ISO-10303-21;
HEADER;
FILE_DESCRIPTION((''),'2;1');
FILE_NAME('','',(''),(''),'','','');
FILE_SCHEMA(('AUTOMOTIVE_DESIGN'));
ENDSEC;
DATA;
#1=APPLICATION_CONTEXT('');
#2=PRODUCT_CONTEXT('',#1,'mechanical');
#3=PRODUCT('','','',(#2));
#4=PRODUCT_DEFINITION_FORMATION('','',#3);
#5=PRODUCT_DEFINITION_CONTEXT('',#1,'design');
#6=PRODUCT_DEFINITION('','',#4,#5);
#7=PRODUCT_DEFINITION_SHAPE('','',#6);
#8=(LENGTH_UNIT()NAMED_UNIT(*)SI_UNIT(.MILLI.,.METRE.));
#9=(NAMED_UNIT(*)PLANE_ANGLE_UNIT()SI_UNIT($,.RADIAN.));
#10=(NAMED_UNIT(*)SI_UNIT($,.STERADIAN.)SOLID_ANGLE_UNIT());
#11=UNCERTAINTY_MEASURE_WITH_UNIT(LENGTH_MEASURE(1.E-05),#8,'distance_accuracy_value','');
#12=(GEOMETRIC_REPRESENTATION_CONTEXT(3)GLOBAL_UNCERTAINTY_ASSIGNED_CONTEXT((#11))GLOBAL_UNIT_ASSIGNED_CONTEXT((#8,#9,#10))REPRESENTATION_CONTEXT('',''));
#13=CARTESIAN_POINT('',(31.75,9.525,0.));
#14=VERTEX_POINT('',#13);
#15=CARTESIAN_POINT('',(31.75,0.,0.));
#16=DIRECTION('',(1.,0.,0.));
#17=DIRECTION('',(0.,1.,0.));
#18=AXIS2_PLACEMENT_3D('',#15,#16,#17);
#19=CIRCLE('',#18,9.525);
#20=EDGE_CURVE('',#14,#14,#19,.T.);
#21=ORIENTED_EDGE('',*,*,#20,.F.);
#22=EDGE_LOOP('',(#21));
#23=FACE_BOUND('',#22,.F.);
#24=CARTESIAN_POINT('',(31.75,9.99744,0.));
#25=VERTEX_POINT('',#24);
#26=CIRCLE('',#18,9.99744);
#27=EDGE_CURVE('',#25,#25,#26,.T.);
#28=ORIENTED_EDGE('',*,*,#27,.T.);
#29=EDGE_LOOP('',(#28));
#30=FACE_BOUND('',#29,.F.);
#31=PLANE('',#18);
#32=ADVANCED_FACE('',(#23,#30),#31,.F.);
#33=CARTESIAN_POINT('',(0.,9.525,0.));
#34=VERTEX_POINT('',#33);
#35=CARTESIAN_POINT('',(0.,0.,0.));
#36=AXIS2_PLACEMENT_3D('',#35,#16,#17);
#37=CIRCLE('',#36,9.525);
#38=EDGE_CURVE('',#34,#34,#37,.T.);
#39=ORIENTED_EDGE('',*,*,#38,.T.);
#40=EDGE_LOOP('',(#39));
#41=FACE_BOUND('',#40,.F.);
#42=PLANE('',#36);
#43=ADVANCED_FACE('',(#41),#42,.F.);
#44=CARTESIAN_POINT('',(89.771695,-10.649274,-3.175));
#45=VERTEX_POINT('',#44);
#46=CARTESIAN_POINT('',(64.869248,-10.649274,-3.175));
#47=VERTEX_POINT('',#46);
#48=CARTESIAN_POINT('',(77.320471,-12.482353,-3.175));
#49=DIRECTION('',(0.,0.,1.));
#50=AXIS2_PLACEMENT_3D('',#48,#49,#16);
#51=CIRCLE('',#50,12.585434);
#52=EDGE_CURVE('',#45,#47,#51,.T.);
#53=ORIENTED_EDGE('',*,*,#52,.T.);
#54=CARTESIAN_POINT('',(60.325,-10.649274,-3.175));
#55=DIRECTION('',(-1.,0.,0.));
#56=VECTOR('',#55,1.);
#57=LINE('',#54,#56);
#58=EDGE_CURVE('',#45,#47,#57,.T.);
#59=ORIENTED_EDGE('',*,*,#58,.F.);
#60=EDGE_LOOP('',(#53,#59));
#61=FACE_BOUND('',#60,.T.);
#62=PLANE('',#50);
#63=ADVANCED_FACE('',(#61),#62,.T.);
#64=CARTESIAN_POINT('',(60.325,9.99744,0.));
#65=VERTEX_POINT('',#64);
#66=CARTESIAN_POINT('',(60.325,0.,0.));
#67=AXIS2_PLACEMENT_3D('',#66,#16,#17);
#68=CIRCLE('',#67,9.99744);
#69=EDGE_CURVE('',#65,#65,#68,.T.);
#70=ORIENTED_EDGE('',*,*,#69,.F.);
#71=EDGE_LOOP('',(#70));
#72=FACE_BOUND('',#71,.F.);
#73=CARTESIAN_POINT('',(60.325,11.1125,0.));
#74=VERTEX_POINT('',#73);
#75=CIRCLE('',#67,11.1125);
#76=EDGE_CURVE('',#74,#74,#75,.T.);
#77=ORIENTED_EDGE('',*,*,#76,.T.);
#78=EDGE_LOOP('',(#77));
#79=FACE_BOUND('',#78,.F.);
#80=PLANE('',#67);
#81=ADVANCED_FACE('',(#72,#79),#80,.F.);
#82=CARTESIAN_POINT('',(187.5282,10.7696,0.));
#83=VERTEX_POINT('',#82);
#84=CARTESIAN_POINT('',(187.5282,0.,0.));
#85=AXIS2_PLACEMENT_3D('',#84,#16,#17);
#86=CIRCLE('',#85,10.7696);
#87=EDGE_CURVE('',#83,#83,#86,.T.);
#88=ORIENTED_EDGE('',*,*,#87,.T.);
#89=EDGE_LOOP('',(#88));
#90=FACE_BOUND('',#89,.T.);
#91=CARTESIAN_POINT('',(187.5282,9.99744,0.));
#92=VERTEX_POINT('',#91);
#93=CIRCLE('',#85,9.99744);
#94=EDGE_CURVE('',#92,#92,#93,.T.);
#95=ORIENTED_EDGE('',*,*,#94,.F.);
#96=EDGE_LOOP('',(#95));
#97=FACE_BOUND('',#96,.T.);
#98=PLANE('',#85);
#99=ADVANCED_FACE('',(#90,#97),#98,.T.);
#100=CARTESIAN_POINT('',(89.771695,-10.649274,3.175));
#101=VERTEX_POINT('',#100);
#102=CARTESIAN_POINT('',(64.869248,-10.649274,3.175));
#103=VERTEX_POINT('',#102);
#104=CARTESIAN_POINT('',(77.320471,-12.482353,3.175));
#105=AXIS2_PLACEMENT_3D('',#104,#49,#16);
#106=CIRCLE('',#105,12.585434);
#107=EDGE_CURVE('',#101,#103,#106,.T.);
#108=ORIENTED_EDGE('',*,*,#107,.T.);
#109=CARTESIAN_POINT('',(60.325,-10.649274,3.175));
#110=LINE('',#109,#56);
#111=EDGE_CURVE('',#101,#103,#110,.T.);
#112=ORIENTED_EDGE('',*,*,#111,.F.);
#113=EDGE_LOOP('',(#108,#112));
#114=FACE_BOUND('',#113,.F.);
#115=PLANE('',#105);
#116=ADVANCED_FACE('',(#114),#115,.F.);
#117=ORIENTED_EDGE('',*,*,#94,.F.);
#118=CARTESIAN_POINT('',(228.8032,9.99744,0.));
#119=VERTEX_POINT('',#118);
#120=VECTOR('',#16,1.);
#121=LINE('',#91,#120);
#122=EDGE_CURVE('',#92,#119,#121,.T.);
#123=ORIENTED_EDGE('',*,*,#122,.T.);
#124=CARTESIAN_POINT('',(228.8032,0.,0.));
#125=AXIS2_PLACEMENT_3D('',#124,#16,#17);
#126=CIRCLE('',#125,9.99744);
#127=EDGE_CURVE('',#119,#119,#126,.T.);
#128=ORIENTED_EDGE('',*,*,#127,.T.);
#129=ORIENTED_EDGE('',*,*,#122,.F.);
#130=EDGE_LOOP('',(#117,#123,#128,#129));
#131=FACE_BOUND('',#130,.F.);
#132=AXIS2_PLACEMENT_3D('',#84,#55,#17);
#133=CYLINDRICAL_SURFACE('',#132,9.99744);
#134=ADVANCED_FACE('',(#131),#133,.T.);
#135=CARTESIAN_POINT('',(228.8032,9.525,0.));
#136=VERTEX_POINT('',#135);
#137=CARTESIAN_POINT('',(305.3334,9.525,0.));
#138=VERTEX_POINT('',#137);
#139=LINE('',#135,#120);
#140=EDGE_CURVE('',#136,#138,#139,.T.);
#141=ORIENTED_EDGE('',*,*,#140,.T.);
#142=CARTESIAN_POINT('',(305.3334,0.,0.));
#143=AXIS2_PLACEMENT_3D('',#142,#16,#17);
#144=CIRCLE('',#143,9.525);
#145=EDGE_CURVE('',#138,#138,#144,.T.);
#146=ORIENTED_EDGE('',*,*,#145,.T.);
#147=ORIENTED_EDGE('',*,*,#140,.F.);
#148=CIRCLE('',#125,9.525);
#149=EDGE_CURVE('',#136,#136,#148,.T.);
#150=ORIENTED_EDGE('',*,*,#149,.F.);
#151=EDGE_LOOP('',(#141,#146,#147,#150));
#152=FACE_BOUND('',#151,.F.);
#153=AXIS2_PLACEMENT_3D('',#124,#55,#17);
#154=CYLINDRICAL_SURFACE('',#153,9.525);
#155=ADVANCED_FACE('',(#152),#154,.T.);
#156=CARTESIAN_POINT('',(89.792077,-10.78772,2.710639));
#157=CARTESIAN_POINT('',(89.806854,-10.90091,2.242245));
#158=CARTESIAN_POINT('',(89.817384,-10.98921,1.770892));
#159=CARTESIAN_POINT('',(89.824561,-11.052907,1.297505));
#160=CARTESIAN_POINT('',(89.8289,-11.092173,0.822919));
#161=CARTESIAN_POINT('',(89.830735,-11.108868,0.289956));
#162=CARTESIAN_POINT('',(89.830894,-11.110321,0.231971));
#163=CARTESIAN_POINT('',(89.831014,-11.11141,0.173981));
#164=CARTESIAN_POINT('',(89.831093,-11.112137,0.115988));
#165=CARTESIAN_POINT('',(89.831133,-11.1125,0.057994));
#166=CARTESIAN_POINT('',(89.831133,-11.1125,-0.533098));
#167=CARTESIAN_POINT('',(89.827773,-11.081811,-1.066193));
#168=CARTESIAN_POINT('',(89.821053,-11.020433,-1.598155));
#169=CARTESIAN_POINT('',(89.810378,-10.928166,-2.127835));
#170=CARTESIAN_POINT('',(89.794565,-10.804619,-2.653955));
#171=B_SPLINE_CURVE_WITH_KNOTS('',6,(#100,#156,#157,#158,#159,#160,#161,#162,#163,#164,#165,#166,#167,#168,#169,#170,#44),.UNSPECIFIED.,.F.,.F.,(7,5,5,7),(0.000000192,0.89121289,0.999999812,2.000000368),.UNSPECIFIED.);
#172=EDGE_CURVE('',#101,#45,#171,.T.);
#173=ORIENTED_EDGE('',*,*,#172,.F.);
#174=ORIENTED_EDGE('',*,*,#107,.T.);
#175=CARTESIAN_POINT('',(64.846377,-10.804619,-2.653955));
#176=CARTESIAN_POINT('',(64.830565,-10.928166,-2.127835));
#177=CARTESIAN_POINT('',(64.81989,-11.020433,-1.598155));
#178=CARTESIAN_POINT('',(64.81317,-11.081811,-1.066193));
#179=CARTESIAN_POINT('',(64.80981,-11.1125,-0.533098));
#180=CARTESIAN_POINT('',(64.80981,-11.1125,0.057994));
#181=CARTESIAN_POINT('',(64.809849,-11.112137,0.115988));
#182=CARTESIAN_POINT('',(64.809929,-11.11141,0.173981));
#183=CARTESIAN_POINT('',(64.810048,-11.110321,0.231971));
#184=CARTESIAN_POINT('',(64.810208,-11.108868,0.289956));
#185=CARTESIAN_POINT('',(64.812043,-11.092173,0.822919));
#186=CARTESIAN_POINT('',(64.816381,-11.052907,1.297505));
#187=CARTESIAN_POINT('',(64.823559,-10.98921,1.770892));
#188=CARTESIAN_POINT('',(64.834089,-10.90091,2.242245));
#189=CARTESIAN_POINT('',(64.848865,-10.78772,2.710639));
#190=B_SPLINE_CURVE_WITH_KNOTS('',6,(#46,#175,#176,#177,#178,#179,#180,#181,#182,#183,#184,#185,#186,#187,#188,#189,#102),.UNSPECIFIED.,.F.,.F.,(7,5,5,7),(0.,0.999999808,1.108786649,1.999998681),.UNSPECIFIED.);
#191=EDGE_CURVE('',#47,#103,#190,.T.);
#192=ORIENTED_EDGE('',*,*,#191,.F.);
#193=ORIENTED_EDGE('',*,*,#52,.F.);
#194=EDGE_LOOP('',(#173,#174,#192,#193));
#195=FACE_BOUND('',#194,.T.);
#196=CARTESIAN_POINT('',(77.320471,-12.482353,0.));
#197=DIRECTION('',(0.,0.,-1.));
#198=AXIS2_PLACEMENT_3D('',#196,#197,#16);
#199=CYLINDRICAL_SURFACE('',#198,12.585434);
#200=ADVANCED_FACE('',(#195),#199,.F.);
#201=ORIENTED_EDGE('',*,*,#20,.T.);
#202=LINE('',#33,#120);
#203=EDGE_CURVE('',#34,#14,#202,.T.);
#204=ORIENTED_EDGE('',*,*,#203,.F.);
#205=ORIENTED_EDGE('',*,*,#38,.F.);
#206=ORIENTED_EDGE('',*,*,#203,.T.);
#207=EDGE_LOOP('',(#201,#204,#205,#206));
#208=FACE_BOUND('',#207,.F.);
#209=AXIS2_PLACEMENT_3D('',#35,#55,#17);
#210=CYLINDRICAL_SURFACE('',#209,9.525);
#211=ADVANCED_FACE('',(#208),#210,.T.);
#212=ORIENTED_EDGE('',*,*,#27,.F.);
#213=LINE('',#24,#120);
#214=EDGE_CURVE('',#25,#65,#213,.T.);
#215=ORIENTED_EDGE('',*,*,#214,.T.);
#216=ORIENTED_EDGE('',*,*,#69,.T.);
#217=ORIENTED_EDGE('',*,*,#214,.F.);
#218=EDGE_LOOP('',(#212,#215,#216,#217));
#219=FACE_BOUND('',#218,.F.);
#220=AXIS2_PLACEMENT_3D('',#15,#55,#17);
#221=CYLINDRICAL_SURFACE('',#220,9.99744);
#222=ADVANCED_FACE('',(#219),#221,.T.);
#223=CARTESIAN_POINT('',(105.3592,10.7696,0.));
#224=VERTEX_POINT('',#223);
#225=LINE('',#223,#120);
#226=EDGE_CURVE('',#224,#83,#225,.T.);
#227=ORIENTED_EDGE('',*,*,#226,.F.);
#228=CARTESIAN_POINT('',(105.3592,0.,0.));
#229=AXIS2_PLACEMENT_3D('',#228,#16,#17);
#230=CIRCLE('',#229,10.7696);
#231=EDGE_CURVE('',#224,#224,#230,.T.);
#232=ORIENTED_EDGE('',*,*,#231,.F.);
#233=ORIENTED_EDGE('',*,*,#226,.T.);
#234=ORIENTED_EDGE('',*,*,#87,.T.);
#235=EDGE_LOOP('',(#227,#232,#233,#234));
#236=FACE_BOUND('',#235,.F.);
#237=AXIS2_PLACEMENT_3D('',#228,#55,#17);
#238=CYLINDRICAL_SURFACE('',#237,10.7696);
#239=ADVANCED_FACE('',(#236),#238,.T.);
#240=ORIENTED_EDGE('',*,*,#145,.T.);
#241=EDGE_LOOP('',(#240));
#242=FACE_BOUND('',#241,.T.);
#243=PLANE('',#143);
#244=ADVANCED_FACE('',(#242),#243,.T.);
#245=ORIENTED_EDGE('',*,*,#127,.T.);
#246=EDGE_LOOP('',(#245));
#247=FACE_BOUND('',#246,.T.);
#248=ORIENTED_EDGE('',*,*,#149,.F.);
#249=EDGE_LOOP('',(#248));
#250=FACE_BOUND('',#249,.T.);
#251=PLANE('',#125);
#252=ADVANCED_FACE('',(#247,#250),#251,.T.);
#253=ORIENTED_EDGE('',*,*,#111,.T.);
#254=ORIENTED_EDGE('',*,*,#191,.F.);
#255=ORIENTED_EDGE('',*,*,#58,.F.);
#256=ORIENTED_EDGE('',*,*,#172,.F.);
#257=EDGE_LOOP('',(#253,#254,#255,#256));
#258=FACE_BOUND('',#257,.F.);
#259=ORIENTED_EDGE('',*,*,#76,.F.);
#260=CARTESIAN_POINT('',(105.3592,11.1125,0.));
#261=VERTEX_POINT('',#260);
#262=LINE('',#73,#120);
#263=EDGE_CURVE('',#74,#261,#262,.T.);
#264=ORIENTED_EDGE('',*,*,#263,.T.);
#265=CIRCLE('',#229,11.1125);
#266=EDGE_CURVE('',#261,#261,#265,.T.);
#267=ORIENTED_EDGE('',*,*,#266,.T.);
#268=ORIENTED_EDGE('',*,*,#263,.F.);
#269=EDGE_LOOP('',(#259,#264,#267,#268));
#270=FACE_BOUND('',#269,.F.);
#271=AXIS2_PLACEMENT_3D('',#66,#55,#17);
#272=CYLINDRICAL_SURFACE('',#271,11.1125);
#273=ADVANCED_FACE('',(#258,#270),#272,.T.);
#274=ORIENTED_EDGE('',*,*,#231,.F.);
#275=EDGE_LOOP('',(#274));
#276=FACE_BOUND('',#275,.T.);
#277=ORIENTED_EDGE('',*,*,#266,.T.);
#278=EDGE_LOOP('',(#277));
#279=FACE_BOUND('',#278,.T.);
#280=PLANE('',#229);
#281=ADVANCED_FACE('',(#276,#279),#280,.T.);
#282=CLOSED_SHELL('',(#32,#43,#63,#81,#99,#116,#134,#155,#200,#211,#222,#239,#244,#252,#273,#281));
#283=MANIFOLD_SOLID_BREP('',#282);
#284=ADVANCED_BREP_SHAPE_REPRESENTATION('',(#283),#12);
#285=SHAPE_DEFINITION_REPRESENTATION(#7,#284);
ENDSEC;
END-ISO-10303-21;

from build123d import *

# Parameters (mm, degrees)
F0_R      = 9.525
F1_DEPTH  = 31.75
F2_R      = 9.99744
F3_DEPTH  = 28.575
F4_R      = 11.1125
F5_DEPTH  = 45.0342
F6_R      = 10.7696
F7_DEPTH  = 82.169
F8_R      = 9.99744
F9_DEPTH  = 41.275
F10_R     = 9.525
F11_DEPTH = 76.5302
F12_R     = 12.5854341712
F13_DEPTH = 3.175
F14_DEPTH = 3.175


with BuildPart() as f1:
    # F0 (on Right) → F1 (new body)
    with BuildSketch(Plane.YZ):
        Circle(F0_R)
    extrude(amount=F1_DEPTH)

    # F2 (on face) → F3 (join)
    with BuildSketch(Plane.YZ.offset(31.75)):
        Circle(F2_R)
    extrude(amount=F3_DEPTH)

    # F4 (on face) → F5 (join)
    with BuildSketch(Plane.YZ.offset(60.325)):
        Circle(F4_R)
    extrude(amount=F5_DEPTH)

    # F6 (on face) → F7 (join)
    with BuildSketch(Plane.YZ.offset(105.3592)):
        Circle(F6_R)
    extrude(amount=F7_DEPTH)

    # F8 (on face) → F9 (join)
    with BuildSketch(Plane.YZ.offset(187.5282)):
        Circle(F8_R)
    extrude(amount=F9_DEPTH)

    # F10 (on face) → F11 (join)
    with BuildSketch(Plane.YZ.offset(228.8032)):
        Circle(F10_R)
    extrude(amount=F11_DEPTH)

    # F12 (on Top) → F13 (cut)
    with BuildSketch(Plane.XY):
        with Locations((77.320471406, -12.4823525548)):
            Circle(F12_R)
    extrude(amount=F13_DEPTH, mode=Mode.SUBTRACT)

    # F14 (cut): a face of the model
    f14_faces = [f1.faces().sort_by_distance(p)[0] for p in [
        (77.320471406, -6.3933996549, 0),
    ]]
    extrude(f14_faces, amount=-F14_DEPTH, mode=Mode.SUBTRACT)


solid = f1.part
